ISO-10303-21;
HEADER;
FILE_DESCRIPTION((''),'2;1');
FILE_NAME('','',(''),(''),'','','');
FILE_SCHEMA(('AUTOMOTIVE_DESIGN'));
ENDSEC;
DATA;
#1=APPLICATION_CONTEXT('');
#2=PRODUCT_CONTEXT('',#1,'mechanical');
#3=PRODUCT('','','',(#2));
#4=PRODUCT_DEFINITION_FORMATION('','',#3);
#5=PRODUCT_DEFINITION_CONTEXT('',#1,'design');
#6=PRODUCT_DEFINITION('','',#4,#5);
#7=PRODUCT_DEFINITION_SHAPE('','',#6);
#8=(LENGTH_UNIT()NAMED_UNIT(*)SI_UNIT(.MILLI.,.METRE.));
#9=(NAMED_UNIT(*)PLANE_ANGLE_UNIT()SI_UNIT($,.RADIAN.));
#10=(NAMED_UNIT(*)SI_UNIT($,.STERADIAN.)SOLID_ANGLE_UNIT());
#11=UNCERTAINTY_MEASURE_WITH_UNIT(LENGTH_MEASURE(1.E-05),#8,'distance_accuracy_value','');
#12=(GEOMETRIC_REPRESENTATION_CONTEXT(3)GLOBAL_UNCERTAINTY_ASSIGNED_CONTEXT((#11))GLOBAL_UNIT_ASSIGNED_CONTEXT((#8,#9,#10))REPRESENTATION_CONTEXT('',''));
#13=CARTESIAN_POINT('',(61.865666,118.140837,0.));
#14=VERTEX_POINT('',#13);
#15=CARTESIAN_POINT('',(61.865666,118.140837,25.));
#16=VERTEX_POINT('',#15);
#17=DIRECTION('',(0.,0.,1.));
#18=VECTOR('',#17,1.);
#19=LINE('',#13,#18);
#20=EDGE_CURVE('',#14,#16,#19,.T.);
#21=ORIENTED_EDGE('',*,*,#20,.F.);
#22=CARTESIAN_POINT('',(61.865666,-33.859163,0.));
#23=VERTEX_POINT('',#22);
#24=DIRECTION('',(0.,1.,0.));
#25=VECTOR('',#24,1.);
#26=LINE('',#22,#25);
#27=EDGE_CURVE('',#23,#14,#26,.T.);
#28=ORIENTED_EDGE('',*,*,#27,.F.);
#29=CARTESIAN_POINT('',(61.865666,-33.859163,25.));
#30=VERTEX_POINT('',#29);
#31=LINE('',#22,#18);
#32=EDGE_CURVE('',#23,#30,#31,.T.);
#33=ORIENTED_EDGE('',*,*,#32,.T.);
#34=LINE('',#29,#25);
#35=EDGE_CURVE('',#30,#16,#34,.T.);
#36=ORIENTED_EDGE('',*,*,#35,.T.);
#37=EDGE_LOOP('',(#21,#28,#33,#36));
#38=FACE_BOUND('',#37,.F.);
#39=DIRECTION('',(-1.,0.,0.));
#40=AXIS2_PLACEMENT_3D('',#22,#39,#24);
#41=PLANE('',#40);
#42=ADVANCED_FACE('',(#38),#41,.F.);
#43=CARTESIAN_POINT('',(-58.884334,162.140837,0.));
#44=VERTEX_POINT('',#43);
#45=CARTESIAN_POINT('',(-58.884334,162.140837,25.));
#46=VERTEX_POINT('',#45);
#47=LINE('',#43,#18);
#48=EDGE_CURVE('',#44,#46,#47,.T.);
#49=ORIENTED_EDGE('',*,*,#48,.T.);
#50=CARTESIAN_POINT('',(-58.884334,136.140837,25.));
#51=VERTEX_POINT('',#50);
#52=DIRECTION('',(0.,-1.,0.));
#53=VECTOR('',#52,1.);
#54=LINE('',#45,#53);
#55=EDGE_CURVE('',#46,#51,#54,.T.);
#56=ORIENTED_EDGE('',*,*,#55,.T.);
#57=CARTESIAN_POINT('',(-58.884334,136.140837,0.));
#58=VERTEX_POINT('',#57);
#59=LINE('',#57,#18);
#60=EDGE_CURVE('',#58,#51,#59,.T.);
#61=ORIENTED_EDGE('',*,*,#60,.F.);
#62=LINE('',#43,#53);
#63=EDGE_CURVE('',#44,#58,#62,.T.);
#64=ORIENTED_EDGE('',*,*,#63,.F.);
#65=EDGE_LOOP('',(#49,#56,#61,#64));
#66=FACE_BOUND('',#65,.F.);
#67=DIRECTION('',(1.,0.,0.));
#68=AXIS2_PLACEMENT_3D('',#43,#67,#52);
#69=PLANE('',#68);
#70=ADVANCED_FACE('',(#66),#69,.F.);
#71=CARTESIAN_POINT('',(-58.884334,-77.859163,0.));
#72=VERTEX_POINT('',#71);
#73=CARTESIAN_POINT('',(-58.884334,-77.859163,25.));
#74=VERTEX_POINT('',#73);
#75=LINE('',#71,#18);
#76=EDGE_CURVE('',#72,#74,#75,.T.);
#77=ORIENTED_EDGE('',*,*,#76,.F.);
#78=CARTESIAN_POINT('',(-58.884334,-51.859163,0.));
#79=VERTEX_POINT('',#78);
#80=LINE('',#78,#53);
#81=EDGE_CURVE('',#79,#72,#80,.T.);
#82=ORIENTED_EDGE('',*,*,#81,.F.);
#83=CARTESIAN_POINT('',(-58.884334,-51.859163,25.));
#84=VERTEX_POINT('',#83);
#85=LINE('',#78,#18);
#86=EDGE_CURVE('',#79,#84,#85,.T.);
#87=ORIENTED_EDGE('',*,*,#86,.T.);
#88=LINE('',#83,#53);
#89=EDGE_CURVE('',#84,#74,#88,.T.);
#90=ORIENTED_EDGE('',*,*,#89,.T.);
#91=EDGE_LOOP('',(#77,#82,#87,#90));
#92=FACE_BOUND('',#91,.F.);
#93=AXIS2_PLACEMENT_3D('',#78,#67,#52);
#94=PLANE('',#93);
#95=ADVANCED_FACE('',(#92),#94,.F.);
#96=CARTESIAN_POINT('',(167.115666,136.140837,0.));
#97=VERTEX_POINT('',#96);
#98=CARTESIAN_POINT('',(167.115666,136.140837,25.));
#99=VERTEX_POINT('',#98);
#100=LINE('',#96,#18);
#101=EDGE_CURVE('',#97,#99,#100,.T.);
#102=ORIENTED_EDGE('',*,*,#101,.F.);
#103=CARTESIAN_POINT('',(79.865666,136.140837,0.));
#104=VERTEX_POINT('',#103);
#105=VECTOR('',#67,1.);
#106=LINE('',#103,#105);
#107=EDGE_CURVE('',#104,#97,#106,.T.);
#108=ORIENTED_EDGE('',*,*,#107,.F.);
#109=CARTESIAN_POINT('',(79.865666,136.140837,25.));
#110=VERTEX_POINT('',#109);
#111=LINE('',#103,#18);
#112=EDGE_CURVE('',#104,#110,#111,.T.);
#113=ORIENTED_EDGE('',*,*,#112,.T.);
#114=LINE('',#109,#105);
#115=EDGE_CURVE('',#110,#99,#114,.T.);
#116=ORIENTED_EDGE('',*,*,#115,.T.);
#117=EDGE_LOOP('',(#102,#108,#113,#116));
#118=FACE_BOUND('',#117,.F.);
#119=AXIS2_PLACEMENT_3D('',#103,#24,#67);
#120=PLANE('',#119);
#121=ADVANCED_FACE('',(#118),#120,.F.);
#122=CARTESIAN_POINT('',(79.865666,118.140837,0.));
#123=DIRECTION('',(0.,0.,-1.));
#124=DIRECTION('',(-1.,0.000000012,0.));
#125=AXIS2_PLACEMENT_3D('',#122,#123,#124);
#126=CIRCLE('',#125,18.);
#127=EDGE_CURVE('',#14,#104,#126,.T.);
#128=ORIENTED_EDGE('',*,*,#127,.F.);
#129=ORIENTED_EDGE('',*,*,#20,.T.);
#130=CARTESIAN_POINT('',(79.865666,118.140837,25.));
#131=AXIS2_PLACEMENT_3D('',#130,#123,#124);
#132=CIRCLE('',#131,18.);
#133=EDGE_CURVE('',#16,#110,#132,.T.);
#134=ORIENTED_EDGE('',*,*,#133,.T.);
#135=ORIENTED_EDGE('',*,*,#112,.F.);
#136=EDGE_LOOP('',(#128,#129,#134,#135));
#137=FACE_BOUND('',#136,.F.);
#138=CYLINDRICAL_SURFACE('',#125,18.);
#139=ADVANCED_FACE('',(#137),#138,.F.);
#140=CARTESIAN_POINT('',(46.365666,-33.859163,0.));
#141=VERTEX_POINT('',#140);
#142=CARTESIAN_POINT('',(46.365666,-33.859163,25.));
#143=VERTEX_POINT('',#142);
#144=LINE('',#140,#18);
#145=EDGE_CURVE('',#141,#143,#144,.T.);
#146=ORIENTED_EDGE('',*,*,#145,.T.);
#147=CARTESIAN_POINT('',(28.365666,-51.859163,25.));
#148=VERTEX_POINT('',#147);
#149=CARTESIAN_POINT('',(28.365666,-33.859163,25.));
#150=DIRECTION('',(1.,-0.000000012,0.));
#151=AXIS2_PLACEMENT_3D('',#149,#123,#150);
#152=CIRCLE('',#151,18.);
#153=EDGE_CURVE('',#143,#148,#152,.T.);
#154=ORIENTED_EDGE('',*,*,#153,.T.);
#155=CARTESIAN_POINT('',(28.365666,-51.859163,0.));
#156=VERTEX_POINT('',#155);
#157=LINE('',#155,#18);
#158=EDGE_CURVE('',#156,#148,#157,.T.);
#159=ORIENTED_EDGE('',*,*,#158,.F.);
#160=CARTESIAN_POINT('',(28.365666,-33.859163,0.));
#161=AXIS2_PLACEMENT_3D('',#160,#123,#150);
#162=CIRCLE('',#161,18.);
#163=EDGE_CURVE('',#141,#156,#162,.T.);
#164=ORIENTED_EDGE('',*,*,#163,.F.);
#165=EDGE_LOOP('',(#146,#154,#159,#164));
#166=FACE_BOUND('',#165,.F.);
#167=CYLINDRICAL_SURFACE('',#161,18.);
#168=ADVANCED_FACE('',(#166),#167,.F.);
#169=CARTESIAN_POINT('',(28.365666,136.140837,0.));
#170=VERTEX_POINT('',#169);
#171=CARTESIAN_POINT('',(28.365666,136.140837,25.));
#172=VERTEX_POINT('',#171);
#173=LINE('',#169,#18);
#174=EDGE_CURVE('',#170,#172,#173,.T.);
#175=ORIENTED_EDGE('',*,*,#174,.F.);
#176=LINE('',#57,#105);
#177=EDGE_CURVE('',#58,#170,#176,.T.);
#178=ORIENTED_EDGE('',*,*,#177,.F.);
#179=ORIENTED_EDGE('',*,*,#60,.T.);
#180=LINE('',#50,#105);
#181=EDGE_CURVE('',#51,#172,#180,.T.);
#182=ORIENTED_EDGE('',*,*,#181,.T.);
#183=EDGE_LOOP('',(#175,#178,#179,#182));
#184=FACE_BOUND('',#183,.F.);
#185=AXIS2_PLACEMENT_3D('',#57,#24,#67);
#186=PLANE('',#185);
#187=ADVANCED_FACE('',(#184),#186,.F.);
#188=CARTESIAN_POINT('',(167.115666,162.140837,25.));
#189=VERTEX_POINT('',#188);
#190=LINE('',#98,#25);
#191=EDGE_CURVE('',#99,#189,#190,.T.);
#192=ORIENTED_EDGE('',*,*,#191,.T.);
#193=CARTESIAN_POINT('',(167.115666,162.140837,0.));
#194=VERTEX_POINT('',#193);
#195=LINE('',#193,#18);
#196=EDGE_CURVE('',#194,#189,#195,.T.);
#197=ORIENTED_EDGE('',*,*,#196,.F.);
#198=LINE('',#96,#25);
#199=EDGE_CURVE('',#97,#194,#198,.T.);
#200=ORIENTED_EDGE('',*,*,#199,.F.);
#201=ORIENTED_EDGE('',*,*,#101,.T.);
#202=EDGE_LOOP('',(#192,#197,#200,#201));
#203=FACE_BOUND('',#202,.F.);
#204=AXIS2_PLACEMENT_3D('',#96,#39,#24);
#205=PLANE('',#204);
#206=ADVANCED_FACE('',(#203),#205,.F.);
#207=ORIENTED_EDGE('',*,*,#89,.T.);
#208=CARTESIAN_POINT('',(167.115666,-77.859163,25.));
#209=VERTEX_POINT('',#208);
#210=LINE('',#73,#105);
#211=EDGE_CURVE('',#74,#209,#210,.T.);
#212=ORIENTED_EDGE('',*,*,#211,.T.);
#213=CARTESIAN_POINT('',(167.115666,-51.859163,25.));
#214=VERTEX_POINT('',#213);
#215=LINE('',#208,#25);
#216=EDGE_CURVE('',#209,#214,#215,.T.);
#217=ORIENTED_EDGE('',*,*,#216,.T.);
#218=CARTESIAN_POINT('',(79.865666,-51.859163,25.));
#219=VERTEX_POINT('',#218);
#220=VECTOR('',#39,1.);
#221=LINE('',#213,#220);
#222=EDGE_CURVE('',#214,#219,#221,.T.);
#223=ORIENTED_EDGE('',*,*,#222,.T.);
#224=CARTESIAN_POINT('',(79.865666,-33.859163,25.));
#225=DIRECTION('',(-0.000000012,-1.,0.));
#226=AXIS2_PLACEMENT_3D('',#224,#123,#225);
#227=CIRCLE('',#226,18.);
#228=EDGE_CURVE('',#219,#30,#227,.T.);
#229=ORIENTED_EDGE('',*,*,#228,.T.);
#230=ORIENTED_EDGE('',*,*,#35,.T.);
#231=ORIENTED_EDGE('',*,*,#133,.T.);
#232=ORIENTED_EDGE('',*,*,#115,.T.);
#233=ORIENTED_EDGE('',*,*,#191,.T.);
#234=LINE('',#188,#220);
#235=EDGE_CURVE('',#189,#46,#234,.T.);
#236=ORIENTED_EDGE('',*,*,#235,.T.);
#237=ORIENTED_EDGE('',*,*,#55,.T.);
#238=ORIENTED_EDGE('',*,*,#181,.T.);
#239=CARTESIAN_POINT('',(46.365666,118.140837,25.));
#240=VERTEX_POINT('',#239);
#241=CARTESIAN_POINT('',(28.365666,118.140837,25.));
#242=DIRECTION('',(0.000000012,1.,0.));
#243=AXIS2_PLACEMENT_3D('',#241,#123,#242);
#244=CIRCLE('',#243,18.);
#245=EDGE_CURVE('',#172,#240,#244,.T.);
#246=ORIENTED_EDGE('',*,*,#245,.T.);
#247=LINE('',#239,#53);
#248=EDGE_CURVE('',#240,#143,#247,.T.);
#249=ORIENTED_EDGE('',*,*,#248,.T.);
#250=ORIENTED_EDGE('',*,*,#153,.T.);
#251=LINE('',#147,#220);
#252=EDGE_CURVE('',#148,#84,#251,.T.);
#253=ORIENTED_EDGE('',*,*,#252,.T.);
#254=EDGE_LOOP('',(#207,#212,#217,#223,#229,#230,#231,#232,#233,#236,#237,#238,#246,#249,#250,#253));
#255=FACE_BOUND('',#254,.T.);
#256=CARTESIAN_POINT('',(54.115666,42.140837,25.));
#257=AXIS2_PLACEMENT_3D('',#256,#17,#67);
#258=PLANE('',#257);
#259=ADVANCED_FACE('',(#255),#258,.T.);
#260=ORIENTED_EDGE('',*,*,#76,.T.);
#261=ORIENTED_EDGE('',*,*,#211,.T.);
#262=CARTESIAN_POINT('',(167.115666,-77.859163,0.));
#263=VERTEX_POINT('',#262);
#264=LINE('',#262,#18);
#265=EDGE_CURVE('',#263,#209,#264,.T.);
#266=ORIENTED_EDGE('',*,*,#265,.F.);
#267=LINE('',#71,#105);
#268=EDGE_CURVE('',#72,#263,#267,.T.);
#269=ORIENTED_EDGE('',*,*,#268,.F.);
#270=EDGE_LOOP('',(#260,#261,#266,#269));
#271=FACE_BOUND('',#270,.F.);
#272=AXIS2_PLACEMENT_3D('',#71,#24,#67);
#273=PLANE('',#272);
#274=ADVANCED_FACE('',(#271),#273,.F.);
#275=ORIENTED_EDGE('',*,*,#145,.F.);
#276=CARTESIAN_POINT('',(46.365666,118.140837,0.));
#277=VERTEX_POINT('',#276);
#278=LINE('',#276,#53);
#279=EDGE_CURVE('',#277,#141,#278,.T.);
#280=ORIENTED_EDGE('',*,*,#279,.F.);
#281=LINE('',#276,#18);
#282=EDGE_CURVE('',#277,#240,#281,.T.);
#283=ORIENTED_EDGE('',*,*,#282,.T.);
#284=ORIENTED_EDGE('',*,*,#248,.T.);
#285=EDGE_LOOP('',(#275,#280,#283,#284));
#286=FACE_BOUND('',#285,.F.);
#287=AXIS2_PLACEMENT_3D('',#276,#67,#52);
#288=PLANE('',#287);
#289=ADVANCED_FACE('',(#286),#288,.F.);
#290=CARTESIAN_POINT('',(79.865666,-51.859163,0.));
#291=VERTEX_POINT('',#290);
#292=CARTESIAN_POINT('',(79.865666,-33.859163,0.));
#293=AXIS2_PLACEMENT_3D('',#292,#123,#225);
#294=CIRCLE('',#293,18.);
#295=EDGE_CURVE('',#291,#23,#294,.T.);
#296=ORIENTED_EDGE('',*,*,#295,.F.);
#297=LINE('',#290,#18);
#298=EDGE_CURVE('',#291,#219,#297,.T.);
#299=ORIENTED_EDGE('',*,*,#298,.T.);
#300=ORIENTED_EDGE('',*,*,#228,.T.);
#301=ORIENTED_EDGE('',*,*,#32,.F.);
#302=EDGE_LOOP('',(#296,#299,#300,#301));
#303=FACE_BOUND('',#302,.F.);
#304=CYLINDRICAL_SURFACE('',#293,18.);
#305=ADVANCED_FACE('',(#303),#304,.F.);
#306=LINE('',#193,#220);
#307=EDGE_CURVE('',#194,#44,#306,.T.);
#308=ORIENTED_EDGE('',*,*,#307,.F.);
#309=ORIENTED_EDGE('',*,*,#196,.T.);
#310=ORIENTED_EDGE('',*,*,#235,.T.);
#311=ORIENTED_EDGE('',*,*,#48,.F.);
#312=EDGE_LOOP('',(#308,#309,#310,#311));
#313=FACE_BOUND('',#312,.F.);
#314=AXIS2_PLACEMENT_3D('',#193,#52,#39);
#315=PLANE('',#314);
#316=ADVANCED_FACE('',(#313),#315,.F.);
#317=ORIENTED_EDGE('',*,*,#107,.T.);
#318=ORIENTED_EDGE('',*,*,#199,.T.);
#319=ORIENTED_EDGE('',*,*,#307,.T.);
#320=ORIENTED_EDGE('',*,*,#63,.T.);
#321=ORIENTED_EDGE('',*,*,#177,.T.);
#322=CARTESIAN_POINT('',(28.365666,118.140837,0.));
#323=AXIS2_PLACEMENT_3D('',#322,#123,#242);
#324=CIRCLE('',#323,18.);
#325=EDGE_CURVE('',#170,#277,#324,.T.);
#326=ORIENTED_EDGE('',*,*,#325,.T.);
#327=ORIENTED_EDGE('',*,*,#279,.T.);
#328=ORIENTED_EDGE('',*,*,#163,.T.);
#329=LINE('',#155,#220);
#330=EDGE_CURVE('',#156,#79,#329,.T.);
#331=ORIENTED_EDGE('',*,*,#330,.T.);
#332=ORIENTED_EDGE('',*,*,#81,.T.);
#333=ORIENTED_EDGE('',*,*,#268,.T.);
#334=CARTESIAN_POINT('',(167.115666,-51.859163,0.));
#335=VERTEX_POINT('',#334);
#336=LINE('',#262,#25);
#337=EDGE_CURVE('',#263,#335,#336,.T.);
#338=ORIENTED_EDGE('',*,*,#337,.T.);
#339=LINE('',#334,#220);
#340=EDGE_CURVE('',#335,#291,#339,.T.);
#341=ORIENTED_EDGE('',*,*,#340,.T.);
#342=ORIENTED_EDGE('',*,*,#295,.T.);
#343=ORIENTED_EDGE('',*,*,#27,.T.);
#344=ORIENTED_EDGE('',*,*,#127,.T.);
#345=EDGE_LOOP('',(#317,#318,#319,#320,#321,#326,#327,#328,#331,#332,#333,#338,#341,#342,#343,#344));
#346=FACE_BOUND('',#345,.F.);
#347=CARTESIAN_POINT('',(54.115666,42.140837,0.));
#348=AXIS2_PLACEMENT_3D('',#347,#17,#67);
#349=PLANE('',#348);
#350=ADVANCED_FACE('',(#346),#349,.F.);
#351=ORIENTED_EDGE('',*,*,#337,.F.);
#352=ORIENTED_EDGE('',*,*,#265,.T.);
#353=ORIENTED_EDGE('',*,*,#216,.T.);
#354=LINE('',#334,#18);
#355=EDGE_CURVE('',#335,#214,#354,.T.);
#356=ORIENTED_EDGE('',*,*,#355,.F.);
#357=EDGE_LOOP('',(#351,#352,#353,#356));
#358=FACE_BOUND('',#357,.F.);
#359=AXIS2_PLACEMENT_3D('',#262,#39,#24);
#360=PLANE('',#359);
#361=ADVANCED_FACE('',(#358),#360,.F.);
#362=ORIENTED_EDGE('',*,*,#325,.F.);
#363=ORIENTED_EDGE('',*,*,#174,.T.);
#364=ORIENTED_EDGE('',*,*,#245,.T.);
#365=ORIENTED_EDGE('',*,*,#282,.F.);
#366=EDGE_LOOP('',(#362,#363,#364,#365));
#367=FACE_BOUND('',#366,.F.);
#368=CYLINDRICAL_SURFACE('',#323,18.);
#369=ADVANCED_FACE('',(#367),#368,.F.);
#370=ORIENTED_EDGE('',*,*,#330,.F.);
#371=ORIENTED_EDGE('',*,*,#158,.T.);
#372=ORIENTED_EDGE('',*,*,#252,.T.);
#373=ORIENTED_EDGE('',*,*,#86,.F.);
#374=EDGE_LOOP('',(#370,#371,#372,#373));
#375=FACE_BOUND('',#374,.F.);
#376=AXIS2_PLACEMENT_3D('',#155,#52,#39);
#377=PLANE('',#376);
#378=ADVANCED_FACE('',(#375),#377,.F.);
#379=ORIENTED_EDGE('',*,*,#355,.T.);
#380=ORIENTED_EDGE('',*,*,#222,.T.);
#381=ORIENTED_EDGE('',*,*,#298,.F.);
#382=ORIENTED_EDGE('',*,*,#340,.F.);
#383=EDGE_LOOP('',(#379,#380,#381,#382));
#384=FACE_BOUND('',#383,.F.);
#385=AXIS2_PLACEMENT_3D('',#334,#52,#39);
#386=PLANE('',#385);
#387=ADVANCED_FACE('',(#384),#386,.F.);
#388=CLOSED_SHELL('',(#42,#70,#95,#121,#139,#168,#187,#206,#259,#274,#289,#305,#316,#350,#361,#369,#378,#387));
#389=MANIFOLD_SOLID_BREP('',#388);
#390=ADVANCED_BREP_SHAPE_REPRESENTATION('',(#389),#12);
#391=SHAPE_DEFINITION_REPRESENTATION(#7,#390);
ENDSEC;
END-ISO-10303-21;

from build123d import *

# Parameters (mm, degrees)
F1_DEPTH = 25


with BuildPart() as f1:
    # F0 (on Top) → F1 (new body)
    with BuildSketch(Plane.XY):
        with BuildLine():
            Line((167.115666, 162.140837), (-58.884334, 162.140837))
            Line((-58.884334, 162.140837), (-58.884334, 136.140837))
            Line((-58.884334, 136.140837), (28.365666, 136.140837))
            ThreePointArc((28.365666, 136.140837), (41.093588, 130.868759), (46.365666, 118.140837))
            Line((46.365666, 118.140837), (46.365666, 42.140837))
            Line((46.365666, 42.140837), (46.365666, -33.859163))
            ThreePointArc((46.365666, -33.859163), (41.093588, -46.587085), (28.365666, -51.859163))
            Line((28.365666, -51.859163), (-58.884334, -51.859163))
            Line((-58.884334, -51.859163), (-58.884334, -77.859163))
            Line((-58.884334, -77.859163), (167.115666, -77.859163))
            Line((167.115666, -77.859163), (167.115666, -51.859163))
            Line((167.115666, -51.859163), (79.865666, -51.859163))
            ThreePointArc((79.865666, -51.859163), (67.137744, -46.587085), (61.865666, -33.859163))
            Line((61.865666, -33.859163), (61.865666, 42.140837))
            Line((61.865666, 42.140837), (61.865666, 118.140837))
            ThreePointArc((61.865666, 118.140837), (67.137744, 130.868759), (79.865666, 136.140837))
            Line((79.865666, 136.140837), (167.115666, 136.140837))
            Line((167.115666, 136.140837), (167.115666, 162.140837))
        make_face()
    extrude(amount=F1_DEPTH)


solid = f1.part
